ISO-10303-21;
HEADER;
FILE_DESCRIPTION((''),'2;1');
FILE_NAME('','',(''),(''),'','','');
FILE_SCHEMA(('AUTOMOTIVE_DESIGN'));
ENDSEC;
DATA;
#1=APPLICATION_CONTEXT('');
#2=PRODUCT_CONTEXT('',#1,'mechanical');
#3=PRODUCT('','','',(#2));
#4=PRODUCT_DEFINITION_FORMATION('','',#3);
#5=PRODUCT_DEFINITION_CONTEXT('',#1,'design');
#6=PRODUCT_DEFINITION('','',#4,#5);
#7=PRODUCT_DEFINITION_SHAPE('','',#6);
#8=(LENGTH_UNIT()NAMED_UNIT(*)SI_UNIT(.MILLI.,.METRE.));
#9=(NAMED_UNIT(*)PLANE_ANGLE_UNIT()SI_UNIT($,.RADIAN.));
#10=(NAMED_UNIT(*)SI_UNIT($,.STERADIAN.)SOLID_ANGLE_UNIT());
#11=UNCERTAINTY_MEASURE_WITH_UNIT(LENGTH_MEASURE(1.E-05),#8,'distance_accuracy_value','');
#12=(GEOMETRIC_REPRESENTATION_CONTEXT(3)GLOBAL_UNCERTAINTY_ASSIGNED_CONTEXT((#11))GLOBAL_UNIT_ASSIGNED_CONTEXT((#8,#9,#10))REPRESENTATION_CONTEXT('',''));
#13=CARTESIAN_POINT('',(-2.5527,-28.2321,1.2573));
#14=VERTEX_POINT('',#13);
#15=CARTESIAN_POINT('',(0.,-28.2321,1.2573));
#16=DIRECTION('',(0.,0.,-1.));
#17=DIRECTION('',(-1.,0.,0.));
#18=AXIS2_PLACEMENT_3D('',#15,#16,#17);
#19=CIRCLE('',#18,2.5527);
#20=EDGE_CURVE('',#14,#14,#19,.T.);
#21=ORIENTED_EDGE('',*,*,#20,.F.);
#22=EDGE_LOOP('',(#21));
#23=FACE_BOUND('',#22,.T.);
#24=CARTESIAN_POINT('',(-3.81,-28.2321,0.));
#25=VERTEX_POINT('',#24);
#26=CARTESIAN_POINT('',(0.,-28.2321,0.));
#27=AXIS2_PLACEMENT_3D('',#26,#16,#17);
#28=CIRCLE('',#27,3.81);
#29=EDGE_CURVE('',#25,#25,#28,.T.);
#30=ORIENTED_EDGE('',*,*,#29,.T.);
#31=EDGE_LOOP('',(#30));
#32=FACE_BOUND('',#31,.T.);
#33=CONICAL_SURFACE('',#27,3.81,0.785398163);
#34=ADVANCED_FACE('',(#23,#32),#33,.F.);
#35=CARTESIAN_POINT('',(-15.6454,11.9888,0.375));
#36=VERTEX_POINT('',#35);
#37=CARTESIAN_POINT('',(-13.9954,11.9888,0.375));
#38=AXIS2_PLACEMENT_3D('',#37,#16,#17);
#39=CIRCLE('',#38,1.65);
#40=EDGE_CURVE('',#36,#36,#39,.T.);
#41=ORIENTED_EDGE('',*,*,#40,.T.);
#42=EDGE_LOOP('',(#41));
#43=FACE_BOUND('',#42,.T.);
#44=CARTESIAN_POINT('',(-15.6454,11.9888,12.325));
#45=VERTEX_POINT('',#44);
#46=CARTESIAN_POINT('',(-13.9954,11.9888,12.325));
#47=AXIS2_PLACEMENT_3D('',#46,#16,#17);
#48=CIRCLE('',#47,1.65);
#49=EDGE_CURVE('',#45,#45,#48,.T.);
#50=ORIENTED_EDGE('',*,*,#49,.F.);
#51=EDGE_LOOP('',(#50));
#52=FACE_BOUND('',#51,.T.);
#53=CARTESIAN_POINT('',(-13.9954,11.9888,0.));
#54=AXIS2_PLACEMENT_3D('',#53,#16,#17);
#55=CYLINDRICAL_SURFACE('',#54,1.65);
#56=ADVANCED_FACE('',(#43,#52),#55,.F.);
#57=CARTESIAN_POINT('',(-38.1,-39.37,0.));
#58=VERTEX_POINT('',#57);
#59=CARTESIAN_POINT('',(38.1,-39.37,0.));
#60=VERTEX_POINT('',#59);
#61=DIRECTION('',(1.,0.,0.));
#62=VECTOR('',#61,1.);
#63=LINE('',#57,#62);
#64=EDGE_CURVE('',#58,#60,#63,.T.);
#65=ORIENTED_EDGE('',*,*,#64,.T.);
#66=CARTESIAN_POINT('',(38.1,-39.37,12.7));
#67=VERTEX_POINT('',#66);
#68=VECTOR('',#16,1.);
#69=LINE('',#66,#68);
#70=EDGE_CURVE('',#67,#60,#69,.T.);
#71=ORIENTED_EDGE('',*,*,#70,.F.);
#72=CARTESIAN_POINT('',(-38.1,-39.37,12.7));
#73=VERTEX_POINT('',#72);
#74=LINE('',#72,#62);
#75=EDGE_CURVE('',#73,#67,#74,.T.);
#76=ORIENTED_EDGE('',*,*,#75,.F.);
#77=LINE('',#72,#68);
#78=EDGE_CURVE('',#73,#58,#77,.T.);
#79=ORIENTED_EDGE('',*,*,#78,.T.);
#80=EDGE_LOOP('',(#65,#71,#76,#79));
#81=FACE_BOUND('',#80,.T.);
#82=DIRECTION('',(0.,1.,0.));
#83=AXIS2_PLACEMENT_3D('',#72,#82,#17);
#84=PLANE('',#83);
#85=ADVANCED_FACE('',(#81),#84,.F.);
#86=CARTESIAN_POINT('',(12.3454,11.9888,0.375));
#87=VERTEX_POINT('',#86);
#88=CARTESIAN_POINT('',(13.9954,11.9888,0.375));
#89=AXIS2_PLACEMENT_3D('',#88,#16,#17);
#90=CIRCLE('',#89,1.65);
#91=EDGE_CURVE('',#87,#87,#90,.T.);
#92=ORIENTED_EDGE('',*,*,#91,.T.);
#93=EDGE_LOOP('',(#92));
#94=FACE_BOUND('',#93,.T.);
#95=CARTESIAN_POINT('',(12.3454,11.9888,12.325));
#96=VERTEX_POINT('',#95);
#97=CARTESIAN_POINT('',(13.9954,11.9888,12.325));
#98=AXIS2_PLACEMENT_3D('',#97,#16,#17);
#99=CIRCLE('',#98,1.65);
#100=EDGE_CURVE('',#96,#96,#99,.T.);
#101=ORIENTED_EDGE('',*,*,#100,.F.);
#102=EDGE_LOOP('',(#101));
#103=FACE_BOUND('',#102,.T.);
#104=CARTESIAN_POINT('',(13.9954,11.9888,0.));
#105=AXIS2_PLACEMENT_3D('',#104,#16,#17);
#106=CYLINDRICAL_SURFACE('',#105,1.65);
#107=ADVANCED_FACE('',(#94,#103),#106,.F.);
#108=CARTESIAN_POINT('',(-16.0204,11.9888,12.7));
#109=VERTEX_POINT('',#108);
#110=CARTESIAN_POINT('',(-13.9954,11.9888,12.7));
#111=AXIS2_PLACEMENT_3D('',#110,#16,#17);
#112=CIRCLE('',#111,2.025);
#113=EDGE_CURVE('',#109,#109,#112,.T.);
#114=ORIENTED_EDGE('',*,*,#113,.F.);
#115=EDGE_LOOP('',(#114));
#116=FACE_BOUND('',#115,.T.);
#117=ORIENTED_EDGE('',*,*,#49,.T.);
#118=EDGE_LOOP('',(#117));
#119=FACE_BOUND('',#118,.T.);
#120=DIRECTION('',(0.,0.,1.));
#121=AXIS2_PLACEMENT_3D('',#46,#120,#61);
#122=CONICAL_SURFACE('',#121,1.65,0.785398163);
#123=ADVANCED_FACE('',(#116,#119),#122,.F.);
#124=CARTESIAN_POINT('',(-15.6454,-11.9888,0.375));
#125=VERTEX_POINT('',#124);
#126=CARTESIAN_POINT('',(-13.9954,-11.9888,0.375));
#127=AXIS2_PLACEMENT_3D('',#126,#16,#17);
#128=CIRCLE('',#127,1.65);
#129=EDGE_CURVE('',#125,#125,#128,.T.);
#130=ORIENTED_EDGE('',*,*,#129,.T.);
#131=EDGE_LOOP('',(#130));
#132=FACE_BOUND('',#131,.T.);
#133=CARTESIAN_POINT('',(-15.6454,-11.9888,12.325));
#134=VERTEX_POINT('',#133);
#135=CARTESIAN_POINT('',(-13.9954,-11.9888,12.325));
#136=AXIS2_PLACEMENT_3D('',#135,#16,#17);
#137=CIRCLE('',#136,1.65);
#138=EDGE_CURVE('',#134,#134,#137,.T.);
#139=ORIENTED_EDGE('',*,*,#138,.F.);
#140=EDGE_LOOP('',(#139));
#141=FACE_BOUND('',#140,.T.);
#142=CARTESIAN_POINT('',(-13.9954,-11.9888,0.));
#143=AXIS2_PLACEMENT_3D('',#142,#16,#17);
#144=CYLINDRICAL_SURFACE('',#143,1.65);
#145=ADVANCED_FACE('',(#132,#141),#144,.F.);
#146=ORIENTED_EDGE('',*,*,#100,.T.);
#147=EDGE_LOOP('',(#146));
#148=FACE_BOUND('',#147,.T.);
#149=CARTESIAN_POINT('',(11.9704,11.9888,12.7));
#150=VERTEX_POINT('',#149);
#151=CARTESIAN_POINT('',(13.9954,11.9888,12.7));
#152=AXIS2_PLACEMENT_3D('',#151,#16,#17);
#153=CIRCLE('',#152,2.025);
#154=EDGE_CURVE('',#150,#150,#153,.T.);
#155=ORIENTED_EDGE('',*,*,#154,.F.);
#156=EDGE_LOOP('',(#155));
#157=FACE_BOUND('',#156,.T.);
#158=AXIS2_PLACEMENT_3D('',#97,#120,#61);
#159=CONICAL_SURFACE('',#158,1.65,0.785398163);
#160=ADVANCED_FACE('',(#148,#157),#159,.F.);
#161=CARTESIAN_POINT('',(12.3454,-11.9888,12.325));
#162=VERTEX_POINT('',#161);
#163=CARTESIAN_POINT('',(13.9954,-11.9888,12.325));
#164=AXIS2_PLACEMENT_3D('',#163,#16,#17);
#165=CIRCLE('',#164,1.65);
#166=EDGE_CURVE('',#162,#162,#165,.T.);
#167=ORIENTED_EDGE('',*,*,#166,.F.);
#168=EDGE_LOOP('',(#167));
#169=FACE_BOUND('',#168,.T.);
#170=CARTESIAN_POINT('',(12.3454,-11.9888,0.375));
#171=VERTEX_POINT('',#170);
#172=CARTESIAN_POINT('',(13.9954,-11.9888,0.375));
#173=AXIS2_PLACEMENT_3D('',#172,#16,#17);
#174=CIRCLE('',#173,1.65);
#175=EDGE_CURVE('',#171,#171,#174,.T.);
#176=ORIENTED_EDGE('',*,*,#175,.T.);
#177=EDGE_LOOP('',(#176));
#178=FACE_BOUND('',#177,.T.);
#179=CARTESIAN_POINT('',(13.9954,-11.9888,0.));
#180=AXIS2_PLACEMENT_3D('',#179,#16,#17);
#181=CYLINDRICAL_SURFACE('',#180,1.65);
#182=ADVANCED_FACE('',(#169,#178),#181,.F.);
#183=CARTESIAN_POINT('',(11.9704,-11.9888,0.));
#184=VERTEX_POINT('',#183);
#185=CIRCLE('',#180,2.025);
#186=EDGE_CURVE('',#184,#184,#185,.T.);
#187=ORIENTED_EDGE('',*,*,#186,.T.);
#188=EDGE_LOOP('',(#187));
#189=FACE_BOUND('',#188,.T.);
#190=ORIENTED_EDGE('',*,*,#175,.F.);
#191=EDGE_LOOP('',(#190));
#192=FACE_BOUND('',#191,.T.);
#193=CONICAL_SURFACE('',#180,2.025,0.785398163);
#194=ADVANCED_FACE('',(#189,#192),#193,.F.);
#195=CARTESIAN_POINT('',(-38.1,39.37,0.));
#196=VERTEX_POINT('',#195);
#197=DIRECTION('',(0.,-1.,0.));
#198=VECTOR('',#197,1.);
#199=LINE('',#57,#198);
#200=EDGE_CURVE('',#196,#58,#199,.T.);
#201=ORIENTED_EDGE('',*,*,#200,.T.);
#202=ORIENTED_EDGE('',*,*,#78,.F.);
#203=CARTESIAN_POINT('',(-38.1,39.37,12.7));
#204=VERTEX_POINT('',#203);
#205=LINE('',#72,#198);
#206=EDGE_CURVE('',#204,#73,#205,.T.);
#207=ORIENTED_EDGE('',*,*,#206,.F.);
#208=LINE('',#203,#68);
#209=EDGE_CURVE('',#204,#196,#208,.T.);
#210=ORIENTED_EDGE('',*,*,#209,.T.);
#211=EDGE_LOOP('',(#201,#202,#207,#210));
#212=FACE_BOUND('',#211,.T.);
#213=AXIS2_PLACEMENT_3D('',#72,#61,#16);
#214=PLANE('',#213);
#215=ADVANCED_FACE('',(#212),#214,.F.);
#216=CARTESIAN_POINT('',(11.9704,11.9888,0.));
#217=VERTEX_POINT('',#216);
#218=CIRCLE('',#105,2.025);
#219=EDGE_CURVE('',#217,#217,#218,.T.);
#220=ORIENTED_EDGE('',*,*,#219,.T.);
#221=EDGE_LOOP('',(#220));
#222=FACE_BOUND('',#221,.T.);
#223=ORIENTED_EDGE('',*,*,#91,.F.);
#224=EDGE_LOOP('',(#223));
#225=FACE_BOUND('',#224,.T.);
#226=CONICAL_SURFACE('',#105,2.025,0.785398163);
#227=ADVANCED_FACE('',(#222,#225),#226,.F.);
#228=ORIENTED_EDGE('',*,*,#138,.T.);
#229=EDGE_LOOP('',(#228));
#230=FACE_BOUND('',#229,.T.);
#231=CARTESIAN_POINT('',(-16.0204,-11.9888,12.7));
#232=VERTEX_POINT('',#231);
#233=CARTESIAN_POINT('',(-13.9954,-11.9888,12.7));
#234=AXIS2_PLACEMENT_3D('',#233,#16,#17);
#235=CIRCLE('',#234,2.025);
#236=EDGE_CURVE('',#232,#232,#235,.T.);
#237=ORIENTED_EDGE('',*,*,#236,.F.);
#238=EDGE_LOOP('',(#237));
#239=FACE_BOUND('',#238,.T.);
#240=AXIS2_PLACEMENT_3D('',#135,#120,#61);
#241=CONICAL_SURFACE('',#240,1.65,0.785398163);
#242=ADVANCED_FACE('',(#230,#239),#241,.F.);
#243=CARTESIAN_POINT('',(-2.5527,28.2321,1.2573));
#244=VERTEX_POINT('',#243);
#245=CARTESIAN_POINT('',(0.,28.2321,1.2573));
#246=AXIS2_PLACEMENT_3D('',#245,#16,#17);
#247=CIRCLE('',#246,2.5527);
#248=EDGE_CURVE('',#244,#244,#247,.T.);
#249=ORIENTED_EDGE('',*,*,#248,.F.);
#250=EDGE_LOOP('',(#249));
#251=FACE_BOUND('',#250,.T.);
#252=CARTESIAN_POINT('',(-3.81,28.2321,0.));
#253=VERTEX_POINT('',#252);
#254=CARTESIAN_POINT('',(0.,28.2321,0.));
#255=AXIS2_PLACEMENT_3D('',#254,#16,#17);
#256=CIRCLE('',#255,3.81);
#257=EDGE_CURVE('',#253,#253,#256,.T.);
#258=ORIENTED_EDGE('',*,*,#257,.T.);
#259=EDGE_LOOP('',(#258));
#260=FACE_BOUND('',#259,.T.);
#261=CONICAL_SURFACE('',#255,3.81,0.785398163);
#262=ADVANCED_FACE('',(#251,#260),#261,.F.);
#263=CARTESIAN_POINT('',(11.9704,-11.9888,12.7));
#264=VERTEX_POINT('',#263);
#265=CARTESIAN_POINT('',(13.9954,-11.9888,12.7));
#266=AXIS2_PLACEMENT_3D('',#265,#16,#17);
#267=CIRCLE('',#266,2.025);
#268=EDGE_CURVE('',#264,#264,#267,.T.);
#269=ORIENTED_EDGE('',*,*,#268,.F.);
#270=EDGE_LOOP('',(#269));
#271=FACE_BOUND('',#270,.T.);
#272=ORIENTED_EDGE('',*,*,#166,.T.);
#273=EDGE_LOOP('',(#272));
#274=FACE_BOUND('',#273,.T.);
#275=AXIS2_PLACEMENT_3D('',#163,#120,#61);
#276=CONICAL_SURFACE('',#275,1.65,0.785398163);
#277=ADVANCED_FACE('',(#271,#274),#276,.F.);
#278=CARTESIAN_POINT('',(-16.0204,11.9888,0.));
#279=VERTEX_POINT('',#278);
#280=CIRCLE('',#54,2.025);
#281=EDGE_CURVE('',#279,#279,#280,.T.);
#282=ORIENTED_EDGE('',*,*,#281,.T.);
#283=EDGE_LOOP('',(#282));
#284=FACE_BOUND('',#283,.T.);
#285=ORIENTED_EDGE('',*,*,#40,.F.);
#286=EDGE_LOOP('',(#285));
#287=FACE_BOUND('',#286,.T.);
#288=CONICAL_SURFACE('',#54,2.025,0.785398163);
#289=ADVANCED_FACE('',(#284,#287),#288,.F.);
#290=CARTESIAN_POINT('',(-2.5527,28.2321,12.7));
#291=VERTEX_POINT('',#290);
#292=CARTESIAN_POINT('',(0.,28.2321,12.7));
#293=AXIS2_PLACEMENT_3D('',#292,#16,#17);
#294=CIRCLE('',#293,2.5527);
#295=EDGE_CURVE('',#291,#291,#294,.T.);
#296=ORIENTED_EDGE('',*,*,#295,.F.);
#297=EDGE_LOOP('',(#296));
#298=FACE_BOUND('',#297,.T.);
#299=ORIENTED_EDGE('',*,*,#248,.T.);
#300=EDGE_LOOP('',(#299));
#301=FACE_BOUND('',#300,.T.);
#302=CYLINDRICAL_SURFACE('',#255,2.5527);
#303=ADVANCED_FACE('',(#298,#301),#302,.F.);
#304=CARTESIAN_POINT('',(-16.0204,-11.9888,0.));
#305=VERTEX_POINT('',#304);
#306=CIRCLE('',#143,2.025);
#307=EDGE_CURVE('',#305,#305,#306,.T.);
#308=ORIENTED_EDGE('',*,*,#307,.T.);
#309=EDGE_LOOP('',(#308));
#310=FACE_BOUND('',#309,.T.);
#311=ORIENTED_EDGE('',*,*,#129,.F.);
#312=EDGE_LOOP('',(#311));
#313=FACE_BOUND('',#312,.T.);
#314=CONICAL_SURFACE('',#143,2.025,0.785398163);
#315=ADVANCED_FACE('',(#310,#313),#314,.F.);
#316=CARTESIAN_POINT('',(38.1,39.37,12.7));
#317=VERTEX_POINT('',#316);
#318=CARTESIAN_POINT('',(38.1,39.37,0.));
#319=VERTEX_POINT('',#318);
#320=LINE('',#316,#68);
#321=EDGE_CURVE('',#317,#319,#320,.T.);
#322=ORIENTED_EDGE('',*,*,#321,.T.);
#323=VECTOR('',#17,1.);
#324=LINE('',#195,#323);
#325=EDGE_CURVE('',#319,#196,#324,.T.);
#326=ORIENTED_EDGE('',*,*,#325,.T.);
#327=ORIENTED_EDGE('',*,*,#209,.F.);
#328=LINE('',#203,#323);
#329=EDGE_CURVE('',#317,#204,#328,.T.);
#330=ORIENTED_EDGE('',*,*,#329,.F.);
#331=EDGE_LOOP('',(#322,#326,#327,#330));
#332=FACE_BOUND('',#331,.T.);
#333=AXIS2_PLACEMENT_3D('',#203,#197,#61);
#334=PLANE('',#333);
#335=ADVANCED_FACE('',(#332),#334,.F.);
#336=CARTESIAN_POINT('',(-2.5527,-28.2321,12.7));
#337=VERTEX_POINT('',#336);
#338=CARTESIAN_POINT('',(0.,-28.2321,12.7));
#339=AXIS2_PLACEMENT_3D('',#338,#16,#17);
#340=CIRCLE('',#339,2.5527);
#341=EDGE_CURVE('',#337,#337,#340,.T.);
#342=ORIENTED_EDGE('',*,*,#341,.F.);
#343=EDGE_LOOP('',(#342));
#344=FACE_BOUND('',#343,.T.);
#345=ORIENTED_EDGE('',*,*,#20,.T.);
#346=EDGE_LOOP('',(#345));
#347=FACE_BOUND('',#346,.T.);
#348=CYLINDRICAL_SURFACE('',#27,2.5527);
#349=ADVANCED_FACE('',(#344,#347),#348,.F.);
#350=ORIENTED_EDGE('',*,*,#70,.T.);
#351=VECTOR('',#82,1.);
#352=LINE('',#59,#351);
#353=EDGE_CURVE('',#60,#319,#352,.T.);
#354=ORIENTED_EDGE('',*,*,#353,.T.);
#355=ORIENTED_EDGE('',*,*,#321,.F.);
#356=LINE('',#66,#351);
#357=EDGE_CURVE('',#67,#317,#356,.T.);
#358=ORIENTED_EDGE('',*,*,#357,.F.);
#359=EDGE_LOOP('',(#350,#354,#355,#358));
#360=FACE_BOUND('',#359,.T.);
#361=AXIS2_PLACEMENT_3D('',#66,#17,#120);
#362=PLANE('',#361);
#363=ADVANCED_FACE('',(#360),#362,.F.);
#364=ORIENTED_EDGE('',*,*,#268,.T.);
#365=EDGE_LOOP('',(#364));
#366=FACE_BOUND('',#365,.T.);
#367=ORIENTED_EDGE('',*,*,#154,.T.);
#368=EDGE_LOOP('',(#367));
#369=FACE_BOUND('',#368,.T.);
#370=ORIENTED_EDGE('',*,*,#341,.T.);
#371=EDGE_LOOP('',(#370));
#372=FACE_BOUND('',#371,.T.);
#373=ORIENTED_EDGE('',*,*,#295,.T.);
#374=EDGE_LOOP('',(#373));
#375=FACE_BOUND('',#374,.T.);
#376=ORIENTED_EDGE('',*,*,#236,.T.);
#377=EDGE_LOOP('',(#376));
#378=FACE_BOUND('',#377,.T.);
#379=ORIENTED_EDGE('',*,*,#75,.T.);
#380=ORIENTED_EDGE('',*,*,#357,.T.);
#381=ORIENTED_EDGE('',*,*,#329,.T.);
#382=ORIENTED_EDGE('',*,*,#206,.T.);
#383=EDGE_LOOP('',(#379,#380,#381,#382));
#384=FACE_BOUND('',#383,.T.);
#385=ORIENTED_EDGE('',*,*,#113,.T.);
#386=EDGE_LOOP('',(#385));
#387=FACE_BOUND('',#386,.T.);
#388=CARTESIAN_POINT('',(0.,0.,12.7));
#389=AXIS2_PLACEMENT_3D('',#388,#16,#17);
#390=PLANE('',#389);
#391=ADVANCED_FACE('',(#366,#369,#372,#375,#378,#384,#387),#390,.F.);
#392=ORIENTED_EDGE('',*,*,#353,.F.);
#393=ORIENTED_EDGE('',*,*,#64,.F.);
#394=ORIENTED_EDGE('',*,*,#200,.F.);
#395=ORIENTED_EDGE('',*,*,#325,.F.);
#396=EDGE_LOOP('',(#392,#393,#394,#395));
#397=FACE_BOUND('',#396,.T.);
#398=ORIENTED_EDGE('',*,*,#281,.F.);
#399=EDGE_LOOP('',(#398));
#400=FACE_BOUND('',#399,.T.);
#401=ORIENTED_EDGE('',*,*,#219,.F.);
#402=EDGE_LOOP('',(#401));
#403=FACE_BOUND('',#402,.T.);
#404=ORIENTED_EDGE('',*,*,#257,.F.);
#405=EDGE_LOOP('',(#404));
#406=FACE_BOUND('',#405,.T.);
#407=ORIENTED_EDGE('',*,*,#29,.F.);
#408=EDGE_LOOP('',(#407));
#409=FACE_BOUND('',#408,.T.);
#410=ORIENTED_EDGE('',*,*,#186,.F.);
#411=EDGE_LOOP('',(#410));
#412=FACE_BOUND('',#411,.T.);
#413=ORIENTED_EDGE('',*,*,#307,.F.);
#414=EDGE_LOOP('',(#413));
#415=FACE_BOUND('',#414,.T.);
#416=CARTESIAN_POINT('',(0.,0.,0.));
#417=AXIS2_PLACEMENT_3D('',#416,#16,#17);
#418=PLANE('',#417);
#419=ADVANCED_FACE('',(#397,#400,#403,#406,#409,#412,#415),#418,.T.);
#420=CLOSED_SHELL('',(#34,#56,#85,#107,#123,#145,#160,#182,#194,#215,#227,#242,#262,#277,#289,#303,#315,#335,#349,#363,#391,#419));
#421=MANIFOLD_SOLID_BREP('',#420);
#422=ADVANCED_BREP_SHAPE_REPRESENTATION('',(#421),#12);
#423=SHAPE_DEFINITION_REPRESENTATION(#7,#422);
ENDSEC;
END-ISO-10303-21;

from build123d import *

# Parameters (mm, degrees)
SKETCH1_W                         = 76.2
SKETCH1_H                         = 78.74
BOSS_EXTRUDE1_DEPTH               = 12.7
F_1_4_20_TAPPED_HOLE1_D           = 5.1054
F_1_4_20_TAPPED_HOLE1_CSINK_D     = 7.62
F_1_4_20_TAPPED_HOLE1_CSINK_ANGLE = 90
M4_TAPPED_HOLE1_AT_2_COUNT        = 2
M4_TAPPED_HOLE1_AT_2_PITCH        = 27.9908
M4_TAPPED_HOLE1_AT_3_COUNT        = 2
M4_TAPPED_HOLE1_AT_3_PITCH        = 36.856616589
M4_TAPPED_HOLE1_AT_4_COUNT        = 2
M4_TAPPED_HOLE1_AT_4_PITCH        = 23.9776


with BuildPart() as part:
    # Sketch1 → Boss-Extrude1 (new body)
    with BuildSketch(Plane.XY):
        Rectangle(SKETCH1_W, SKETCH1_H)
    extrude(amount=BOSS_EXTRUDE1_DEPTH)

    # 1/4-20 Tapped Hole1 (through all)
    with Locations(Plane(origin=(0, 0, 0), x_dir=(-1, 0, 0), z_dir=(0, 0, -1))):
        with Locations((0, 28.2321), (0, -28.2321)):
            CounterSinkHole(F_1_4_20_TAPPED_HOLE1_D / 2, F_1_4_20_TAPPED_HOLE1_CSINK_D / 2, counter_sink_angle=F_1_4_20_TAPPED_HOLE1_CSINK_ANGLE)

    # Sketch5 → M4 Tapped Hole1 (revolve, cut)
    with BuildSketch(Plane(origin=(13.9954, 11.9888, 0), x_dir=(0, 1, 0), z_dir=(1, 0, 0))):
        Polygon((0, 0), (0, 12.7), (2.025, 12.7), (1.65, 12.325), (1.65, 0.375), (2.025, 0), align=None)
    m4_tapped_hole1 = revolve(axis=Axis((13.9954, 11.9888, -6.35), (0, 0, 1)), mode=Mode.SUBTRACT)

    # M4 Tapped Hole1 at 2: M4 Tapped Hole1 ×2
    with Locations(*[(-i * M4_TAPPED_HOLE1_AT_2_PITCH, 0, 0) for i in range(1, M4_TAPPED_HOLE1_AT_2_COUNT)]):
        add(m4_tapped_hole1, mode=Mode.SUBTRACT)

    # M4 Tapped Hole1 at 3: M4 Tapped Hole1 ×2
    with Locations(*[Vector(-0.7594511539682676, -0.6505643279002215, 0) * (i * M4_TAPPED_HOLE1_AT_3_PITCH) for i in range(1, M4_TAPPED_HOLE1_AT_3_COUNT)]):
        add(m4_tapped_hole1, mode=Mode.SUBTRACT)

    # M4 Tapped Hole1 at 4: M4 Tapped Hole1 ×2
    with Locations(*[(0, -i * M4_TAPPED_HOLE1_AT_4_PITCH, 0) for i in range(1, M4_TAPPED_HOLE1_AT_4_COUNT)]):
        add(m4_tapped_hole1, mode=Mode.SUBTRACT)


solid = part.part
